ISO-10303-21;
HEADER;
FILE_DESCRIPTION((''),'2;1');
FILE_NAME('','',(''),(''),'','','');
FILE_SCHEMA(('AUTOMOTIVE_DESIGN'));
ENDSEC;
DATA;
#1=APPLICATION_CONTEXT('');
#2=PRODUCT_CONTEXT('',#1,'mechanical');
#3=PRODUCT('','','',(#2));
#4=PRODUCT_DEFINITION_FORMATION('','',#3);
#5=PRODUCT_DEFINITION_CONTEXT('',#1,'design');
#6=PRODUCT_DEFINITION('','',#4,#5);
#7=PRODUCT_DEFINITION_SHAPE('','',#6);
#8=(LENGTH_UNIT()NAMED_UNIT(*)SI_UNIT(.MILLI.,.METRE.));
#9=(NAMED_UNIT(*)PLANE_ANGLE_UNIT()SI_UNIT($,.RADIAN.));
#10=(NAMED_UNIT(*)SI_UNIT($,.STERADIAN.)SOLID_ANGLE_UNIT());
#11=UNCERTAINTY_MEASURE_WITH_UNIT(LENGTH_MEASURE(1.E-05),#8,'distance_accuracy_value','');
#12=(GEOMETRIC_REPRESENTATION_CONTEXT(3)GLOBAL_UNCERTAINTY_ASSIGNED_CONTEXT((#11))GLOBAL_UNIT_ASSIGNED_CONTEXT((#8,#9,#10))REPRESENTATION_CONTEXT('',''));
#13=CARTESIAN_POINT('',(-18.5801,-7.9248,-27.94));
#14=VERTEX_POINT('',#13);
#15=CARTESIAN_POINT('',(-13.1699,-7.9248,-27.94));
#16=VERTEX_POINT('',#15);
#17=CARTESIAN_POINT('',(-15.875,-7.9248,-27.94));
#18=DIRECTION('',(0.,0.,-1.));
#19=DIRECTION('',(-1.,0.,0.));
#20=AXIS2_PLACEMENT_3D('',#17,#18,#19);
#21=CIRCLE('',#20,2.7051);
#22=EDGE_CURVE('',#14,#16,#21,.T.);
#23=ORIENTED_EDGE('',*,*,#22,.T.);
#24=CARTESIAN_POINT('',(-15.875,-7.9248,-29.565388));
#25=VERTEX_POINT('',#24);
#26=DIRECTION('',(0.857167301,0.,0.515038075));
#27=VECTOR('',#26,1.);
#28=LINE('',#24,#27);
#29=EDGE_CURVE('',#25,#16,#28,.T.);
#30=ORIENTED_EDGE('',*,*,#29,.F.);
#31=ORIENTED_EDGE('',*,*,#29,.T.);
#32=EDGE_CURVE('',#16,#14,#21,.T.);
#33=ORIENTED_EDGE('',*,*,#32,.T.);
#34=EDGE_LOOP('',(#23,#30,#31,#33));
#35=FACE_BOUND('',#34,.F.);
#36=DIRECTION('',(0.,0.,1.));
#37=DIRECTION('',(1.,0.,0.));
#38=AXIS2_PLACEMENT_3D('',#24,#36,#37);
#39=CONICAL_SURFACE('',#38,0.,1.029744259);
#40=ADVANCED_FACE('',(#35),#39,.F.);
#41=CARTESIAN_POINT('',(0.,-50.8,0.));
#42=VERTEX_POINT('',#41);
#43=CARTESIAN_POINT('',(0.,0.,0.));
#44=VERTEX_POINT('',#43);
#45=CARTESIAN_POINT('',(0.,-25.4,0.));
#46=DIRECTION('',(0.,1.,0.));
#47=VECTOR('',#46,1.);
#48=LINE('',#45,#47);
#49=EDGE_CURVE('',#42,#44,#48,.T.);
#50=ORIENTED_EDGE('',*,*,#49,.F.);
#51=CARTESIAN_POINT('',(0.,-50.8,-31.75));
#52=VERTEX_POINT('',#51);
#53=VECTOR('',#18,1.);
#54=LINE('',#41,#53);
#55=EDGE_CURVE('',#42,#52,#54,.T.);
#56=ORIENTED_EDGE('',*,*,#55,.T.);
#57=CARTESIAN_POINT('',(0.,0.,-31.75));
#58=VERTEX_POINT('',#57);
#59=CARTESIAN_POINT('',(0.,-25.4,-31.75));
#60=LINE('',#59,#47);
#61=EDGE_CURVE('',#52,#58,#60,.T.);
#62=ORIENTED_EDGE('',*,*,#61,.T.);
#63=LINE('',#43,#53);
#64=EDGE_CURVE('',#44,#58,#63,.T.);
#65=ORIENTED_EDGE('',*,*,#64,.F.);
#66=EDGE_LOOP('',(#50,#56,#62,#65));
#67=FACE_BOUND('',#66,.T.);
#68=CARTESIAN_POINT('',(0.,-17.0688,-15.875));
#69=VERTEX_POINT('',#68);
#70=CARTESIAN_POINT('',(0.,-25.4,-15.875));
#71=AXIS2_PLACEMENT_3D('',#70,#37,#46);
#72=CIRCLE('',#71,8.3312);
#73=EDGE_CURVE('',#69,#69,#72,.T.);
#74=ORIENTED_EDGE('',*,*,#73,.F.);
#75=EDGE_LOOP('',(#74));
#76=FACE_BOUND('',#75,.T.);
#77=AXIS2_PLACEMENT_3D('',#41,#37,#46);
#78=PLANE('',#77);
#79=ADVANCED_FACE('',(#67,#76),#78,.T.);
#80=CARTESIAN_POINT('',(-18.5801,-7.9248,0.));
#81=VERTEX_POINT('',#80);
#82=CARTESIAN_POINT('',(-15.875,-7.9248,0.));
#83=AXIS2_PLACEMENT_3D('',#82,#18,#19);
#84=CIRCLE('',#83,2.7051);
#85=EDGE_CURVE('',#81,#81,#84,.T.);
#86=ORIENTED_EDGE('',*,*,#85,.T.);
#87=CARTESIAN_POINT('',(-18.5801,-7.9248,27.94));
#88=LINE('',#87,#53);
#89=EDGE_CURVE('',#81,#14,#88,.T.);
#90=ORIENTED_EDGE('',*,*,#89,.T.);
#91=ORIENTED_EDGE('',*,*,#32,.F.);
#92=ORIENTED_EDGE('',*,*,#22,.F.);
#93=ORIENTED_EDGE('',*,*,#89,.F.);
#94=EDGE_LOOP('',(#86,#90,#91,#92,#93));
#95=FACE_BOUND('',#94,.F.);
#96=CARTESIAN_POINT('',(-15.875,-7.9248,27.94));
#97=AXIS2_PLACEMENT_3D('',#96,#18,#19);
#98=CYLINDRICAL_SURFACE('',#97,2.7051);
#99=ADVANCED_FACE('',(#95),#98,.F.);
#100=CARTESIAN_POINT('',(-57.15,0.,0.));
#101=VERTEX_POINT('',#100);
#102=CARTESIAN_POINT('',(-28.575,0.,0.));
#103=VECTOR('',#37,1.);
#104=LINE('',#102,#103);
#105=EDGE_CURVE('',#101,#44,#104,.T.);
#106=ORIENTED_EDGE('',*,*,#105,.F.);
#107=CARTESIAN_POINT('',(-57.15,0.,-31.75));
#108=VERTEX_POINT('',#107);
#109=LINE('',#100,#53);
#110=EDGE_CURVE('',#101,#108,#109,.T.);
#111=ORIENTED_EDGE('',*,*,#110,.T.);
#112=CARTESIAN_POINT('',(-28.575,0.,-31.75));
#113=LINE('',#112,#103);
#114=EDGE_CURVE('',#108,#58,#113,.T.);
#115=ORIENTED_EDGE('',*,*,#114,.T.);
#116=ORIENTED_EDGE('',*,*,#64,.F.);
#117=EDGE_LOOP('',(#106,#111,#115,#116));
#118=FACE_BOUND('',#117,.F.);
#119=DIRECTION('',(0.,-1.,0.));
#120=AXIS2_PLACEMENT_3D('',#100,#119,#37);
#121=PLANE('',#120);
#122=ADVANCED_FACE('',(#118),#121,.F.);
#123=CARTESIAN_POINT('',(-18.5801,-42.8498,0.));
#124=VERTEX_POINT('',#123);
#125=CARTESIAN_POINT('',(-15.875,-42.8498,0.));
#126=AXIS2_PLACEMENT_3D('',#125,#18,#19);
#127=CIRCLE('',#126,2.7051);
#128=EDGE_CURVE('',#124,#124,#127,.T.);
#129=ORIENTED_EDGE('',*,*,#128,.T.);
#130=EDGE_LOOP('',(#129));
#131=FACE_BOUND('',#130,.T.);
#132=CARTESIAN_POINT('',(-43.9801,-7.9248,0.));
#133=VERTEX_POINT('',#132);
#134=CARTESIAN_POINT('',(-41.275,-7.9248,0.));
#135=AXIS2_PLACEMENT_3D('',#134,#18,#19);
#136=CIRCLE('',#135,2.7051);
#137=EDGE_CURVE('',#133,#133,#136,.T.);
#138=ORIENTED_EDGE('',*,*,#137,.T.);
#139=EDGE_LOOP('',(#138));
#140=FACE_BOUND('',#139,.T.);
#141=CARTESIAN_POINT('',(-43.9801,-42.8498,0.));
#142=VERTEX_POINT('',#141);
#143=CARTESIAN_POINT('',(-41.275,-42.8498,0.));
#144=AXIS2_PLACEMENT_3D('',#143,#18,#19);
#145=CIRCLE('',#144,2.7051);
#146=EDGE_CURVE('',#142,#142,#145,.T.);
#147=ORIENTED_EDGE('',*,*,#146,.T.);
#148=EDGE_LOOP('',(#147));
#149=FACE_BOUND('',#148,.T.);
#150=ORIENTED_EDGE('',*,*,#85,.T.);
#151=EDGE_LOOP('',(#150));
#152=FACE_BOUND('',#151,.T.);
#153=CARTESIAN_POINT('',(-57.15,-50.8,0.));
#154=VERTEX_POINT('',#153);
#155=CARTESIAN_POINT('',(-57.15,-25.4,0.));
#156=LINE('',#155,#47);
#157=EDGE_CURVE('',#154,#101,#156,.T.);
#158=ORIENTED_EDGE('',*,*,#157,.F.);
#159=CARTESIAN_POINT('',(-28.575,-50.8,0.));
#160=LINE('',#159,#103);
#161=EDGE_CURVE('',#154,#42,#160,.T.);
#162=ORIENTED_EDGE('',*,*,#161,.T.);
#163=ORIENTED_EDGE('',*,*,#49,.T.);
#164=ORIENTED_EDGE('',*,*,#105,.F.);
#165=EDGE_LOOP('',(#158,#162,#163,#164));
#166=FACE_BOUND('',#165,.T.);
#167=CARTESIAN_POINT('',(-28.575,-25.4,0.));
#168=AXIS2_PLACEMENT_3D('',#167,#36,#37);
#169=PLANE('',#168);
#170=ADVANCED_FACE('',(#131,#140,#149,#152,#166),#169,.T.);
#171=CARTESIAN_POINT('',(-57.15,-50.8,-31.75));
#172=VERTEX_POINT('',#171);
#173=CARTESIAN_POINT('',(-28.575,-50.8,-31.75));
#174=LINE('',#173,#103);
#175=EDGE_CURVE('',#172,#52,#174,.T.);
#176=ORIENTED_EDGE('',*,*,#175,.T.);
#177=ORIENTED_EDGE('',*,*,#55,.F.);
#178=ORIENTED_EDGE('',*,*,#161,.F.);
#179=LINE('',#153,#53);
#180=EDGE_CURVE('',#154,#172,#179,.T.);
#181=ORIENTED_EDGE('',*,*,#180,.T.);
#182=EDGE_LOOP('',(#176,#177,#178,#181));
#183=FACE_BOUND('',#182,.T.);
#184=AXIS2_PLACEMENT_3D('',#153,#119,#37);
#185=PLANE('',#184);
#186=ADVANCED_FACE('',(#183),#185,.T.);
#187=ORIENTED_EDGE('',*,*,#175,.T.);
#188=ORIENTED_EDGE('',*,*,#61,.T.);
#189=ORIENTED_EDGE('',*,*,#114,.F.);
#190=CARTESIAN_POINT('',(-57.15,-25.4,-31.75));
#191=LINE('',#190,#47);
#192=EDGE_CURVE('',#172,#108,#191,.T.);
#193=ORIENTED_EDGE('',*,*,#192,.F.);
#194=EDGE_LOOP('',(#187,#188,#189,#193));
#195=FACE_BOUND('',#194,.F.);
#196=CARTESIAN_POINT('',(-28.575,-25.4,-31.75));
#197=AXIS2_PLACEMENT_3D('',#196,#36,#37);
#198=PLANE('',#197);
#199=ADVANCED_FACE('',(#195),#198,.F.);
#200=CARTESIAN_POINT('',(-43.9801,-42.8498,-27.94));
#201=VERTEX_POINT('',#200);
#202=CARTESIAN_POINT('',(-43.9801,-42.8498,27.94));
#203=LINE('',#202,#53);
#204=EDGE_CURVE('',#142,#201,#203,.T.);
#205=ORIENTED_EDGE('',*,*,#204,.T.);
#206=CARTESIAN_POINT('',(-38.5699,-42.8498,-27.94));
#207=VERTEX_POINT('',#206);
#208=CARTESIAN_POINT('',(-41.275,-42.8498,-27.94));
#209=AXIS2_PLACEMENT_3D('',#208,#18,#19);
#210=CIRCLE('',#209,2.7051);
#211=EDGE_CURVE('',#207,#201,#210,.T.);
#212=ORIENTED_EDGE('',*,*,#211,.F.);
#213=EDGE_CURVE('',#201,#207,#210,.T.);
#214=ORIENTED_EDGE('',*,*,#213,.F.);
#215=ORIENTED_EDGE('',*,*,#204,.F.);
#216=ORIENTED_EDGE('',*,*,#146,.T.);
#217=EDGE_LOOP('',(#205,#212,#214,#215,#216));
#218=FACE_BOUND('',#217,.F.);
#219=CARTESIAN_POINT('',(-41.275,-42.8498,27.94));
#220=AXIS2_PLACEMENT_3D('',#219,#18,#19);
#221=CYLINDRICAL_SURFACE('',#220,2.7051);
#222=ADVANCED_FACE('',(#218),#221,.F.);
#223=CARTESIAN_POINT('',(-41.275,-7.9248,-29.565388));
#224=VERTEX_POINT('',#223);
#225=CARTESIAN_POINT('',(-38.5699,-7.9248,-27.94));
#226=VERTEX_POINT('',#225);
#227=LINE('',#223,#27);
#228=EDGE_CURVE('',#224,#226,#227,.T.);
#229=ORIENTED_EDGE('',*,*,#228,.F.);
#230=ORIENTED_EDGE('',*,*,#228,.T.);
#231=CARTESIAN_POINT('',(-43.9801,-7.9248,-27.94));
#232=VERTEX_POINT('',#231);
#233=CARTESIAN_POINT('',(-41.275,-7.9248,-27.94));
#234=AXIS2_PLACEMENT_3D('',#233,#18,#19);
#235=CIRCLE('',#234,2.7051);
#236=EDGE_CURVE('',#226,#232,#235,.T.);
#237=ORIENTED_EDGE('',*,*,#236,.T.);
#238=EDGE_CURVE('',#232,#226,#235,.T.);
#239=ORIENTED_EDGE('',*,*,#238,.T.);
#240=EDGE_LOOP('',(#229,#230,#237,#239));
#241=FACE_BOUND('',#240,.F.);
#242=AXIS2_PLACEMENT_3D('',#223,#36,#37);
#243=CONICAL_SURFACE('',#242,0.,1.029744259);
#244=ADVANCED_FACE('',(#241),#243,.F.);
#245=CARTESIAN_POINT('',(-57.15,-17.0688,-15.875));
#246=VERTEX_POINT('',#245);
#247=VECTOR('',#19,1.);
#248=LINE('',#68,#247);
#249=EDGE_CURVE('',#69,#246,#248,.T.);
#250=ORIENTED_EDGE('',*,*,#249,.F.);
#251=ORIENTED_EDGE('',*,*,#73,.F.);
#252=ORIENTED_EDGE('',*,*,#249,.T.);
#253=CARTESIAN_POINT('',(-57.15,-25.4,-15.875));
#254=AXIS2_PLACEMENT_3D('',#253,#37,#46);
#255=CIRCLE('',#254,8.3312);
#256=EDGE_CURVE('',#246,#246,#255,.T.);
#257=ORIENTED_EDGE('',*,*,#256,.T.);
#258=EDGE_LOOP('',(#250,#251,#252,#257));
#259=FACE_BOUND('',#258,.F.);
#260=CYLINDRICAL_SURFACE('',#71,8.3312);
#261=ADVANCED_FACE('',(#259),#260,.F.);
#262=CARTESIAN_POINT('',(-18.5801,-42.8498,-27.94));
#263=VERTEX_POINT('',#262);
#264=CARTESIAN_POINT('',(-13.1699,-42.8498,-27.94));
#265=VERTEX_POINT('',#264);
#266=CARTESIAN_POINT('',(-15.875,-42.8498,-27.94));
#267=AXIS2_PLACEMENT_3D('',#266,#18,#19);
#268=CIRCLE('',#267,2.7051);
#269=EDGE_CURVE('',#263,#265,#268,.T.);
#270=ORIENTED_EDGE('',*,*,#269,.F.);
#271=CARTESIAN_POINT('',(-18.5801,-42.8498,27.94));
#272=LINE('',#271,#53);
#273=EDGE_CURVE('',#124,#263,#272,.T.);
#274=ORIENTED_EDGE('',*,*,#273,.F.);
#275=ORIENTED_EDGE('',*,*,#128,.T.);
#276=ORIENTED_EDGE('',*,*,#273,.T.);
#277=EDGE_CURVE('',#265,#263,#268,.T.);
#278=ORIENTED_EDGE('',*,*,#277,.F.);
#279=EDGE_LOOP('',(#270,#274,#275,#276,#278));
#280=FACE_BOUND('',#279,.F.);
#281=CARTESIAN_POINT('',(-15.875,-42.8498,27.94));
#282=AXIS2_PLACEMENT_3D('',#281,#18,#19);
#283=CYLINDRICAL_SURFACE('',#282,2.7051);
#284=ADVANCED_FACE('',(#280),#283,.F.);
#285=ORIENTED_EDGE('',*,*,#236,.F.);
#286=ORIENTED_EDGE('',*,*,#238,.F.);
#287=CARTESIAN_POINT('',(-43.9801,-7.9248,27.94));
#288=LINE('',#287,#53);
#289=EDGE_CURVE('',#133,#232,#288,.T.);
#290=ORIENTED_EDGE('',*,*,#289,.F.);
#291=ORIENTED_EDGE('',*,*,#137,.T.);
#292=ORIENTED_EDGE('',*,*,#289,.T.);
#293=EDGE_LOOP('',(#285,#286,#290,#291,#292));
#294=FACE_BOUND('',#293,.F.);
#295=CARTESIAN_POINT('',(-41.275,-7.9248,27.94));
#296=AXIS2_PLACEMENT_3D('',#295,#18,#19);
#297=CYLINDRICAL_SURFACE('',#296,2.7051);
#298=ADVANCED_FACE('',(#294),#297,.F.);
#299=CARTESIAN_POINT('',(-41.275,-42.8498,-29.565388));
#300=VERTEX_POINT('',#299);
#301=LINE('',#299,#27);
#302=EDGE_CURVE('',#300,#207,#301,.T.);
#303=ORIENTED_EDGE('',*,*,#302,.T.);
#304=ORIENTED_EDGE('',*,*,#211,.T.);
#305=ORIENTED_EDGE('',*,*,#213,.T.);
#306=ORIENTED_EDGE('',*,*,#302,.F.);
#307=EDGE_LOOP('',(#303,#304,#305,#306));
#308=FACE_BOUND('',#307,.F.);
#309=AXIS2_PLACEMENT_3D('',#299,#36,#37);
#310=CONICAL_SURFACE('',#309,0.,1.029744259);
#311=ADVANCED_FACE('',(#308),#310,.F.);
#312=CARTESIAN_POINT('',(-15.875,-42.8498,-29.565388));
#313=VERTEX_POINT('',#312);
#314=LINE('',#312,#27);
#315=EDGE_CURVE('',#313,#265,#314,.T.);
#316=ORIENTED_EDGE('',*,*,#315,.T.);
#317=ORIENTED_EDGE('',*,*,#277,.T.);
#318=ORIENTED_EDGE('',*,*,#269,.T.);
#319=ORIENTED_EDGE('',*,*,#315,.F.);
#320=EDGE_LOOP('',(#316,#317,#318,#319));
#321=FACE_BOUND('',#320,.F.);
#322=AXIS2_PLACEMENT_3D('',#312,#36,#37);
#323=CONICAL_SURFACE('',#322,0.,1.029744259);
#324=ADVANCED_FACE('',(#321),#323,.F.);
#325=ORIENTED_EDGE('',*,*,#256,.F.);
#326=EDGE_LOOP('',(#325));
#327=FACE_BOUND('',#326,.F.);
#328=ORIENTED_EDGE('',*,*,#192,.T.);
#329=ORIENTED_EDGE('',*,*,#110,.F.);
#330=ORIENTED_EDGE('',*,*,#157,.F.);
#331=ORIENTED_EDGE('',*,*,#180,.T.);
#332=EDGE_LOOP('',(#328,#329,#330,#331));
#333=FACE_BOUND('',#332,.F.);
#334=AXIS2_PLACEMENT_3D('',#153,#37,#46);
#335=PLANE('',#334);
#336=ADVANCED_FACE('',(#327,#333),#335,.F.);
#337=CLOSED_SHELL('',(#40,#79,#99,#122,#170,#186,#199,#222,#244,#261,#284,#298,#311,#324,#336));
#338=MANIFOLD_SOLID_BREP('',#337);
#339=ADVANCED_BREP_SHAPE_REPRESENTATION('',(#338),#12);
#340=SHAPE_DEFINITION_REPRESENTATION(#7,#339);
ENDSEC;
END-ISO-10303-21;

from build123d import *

# Parameters (mm, degrees)
F0_W     = 57.15
F0_H     = 50.8
F1_DEPTH = 31.75
F2_D     = 5.4102
F2_DEPTH = 27.94
F2_TIP   = 1.6253880605
F3_R     = 8.3312
F4_DEPTH = 57.151


with BuildPart() as f1:
    # F0 (on Top) → F1 (new body)
    with BuildSketch(Plane.XY):
        with Locations((-28.575, -25.4)):
            Rectangle(F0_W, F0_H)
    extrude(amount=-F1_DEPTH)

    # F2
    with Locations(Plane.XY):
        with Locations((-15.875, -7.9248), (-15.875, -42.8498), (-41.275, -42.8498), (-41.275, -7.9248)):
            Hole(F2_D / 2, depth=F2_DEPTH)
            with Locations((0, 0, -(F2_DEPTH + F2_TIP / 2))):  # 118° drill point
                Cone(0, F2_D / 2, F2_TIP, mode=Mode.SUBTRACT)

    # F3 (on face) → F4 (cut, through all)
    with BuildSketch(Plane.YZ):
        with Locations((-25.4, -15.875)):
            Circle(F3_R)
    extrude(amount=-F4_DEPTH, mode=Mode.SUBTRACT)


solid = f1.part
